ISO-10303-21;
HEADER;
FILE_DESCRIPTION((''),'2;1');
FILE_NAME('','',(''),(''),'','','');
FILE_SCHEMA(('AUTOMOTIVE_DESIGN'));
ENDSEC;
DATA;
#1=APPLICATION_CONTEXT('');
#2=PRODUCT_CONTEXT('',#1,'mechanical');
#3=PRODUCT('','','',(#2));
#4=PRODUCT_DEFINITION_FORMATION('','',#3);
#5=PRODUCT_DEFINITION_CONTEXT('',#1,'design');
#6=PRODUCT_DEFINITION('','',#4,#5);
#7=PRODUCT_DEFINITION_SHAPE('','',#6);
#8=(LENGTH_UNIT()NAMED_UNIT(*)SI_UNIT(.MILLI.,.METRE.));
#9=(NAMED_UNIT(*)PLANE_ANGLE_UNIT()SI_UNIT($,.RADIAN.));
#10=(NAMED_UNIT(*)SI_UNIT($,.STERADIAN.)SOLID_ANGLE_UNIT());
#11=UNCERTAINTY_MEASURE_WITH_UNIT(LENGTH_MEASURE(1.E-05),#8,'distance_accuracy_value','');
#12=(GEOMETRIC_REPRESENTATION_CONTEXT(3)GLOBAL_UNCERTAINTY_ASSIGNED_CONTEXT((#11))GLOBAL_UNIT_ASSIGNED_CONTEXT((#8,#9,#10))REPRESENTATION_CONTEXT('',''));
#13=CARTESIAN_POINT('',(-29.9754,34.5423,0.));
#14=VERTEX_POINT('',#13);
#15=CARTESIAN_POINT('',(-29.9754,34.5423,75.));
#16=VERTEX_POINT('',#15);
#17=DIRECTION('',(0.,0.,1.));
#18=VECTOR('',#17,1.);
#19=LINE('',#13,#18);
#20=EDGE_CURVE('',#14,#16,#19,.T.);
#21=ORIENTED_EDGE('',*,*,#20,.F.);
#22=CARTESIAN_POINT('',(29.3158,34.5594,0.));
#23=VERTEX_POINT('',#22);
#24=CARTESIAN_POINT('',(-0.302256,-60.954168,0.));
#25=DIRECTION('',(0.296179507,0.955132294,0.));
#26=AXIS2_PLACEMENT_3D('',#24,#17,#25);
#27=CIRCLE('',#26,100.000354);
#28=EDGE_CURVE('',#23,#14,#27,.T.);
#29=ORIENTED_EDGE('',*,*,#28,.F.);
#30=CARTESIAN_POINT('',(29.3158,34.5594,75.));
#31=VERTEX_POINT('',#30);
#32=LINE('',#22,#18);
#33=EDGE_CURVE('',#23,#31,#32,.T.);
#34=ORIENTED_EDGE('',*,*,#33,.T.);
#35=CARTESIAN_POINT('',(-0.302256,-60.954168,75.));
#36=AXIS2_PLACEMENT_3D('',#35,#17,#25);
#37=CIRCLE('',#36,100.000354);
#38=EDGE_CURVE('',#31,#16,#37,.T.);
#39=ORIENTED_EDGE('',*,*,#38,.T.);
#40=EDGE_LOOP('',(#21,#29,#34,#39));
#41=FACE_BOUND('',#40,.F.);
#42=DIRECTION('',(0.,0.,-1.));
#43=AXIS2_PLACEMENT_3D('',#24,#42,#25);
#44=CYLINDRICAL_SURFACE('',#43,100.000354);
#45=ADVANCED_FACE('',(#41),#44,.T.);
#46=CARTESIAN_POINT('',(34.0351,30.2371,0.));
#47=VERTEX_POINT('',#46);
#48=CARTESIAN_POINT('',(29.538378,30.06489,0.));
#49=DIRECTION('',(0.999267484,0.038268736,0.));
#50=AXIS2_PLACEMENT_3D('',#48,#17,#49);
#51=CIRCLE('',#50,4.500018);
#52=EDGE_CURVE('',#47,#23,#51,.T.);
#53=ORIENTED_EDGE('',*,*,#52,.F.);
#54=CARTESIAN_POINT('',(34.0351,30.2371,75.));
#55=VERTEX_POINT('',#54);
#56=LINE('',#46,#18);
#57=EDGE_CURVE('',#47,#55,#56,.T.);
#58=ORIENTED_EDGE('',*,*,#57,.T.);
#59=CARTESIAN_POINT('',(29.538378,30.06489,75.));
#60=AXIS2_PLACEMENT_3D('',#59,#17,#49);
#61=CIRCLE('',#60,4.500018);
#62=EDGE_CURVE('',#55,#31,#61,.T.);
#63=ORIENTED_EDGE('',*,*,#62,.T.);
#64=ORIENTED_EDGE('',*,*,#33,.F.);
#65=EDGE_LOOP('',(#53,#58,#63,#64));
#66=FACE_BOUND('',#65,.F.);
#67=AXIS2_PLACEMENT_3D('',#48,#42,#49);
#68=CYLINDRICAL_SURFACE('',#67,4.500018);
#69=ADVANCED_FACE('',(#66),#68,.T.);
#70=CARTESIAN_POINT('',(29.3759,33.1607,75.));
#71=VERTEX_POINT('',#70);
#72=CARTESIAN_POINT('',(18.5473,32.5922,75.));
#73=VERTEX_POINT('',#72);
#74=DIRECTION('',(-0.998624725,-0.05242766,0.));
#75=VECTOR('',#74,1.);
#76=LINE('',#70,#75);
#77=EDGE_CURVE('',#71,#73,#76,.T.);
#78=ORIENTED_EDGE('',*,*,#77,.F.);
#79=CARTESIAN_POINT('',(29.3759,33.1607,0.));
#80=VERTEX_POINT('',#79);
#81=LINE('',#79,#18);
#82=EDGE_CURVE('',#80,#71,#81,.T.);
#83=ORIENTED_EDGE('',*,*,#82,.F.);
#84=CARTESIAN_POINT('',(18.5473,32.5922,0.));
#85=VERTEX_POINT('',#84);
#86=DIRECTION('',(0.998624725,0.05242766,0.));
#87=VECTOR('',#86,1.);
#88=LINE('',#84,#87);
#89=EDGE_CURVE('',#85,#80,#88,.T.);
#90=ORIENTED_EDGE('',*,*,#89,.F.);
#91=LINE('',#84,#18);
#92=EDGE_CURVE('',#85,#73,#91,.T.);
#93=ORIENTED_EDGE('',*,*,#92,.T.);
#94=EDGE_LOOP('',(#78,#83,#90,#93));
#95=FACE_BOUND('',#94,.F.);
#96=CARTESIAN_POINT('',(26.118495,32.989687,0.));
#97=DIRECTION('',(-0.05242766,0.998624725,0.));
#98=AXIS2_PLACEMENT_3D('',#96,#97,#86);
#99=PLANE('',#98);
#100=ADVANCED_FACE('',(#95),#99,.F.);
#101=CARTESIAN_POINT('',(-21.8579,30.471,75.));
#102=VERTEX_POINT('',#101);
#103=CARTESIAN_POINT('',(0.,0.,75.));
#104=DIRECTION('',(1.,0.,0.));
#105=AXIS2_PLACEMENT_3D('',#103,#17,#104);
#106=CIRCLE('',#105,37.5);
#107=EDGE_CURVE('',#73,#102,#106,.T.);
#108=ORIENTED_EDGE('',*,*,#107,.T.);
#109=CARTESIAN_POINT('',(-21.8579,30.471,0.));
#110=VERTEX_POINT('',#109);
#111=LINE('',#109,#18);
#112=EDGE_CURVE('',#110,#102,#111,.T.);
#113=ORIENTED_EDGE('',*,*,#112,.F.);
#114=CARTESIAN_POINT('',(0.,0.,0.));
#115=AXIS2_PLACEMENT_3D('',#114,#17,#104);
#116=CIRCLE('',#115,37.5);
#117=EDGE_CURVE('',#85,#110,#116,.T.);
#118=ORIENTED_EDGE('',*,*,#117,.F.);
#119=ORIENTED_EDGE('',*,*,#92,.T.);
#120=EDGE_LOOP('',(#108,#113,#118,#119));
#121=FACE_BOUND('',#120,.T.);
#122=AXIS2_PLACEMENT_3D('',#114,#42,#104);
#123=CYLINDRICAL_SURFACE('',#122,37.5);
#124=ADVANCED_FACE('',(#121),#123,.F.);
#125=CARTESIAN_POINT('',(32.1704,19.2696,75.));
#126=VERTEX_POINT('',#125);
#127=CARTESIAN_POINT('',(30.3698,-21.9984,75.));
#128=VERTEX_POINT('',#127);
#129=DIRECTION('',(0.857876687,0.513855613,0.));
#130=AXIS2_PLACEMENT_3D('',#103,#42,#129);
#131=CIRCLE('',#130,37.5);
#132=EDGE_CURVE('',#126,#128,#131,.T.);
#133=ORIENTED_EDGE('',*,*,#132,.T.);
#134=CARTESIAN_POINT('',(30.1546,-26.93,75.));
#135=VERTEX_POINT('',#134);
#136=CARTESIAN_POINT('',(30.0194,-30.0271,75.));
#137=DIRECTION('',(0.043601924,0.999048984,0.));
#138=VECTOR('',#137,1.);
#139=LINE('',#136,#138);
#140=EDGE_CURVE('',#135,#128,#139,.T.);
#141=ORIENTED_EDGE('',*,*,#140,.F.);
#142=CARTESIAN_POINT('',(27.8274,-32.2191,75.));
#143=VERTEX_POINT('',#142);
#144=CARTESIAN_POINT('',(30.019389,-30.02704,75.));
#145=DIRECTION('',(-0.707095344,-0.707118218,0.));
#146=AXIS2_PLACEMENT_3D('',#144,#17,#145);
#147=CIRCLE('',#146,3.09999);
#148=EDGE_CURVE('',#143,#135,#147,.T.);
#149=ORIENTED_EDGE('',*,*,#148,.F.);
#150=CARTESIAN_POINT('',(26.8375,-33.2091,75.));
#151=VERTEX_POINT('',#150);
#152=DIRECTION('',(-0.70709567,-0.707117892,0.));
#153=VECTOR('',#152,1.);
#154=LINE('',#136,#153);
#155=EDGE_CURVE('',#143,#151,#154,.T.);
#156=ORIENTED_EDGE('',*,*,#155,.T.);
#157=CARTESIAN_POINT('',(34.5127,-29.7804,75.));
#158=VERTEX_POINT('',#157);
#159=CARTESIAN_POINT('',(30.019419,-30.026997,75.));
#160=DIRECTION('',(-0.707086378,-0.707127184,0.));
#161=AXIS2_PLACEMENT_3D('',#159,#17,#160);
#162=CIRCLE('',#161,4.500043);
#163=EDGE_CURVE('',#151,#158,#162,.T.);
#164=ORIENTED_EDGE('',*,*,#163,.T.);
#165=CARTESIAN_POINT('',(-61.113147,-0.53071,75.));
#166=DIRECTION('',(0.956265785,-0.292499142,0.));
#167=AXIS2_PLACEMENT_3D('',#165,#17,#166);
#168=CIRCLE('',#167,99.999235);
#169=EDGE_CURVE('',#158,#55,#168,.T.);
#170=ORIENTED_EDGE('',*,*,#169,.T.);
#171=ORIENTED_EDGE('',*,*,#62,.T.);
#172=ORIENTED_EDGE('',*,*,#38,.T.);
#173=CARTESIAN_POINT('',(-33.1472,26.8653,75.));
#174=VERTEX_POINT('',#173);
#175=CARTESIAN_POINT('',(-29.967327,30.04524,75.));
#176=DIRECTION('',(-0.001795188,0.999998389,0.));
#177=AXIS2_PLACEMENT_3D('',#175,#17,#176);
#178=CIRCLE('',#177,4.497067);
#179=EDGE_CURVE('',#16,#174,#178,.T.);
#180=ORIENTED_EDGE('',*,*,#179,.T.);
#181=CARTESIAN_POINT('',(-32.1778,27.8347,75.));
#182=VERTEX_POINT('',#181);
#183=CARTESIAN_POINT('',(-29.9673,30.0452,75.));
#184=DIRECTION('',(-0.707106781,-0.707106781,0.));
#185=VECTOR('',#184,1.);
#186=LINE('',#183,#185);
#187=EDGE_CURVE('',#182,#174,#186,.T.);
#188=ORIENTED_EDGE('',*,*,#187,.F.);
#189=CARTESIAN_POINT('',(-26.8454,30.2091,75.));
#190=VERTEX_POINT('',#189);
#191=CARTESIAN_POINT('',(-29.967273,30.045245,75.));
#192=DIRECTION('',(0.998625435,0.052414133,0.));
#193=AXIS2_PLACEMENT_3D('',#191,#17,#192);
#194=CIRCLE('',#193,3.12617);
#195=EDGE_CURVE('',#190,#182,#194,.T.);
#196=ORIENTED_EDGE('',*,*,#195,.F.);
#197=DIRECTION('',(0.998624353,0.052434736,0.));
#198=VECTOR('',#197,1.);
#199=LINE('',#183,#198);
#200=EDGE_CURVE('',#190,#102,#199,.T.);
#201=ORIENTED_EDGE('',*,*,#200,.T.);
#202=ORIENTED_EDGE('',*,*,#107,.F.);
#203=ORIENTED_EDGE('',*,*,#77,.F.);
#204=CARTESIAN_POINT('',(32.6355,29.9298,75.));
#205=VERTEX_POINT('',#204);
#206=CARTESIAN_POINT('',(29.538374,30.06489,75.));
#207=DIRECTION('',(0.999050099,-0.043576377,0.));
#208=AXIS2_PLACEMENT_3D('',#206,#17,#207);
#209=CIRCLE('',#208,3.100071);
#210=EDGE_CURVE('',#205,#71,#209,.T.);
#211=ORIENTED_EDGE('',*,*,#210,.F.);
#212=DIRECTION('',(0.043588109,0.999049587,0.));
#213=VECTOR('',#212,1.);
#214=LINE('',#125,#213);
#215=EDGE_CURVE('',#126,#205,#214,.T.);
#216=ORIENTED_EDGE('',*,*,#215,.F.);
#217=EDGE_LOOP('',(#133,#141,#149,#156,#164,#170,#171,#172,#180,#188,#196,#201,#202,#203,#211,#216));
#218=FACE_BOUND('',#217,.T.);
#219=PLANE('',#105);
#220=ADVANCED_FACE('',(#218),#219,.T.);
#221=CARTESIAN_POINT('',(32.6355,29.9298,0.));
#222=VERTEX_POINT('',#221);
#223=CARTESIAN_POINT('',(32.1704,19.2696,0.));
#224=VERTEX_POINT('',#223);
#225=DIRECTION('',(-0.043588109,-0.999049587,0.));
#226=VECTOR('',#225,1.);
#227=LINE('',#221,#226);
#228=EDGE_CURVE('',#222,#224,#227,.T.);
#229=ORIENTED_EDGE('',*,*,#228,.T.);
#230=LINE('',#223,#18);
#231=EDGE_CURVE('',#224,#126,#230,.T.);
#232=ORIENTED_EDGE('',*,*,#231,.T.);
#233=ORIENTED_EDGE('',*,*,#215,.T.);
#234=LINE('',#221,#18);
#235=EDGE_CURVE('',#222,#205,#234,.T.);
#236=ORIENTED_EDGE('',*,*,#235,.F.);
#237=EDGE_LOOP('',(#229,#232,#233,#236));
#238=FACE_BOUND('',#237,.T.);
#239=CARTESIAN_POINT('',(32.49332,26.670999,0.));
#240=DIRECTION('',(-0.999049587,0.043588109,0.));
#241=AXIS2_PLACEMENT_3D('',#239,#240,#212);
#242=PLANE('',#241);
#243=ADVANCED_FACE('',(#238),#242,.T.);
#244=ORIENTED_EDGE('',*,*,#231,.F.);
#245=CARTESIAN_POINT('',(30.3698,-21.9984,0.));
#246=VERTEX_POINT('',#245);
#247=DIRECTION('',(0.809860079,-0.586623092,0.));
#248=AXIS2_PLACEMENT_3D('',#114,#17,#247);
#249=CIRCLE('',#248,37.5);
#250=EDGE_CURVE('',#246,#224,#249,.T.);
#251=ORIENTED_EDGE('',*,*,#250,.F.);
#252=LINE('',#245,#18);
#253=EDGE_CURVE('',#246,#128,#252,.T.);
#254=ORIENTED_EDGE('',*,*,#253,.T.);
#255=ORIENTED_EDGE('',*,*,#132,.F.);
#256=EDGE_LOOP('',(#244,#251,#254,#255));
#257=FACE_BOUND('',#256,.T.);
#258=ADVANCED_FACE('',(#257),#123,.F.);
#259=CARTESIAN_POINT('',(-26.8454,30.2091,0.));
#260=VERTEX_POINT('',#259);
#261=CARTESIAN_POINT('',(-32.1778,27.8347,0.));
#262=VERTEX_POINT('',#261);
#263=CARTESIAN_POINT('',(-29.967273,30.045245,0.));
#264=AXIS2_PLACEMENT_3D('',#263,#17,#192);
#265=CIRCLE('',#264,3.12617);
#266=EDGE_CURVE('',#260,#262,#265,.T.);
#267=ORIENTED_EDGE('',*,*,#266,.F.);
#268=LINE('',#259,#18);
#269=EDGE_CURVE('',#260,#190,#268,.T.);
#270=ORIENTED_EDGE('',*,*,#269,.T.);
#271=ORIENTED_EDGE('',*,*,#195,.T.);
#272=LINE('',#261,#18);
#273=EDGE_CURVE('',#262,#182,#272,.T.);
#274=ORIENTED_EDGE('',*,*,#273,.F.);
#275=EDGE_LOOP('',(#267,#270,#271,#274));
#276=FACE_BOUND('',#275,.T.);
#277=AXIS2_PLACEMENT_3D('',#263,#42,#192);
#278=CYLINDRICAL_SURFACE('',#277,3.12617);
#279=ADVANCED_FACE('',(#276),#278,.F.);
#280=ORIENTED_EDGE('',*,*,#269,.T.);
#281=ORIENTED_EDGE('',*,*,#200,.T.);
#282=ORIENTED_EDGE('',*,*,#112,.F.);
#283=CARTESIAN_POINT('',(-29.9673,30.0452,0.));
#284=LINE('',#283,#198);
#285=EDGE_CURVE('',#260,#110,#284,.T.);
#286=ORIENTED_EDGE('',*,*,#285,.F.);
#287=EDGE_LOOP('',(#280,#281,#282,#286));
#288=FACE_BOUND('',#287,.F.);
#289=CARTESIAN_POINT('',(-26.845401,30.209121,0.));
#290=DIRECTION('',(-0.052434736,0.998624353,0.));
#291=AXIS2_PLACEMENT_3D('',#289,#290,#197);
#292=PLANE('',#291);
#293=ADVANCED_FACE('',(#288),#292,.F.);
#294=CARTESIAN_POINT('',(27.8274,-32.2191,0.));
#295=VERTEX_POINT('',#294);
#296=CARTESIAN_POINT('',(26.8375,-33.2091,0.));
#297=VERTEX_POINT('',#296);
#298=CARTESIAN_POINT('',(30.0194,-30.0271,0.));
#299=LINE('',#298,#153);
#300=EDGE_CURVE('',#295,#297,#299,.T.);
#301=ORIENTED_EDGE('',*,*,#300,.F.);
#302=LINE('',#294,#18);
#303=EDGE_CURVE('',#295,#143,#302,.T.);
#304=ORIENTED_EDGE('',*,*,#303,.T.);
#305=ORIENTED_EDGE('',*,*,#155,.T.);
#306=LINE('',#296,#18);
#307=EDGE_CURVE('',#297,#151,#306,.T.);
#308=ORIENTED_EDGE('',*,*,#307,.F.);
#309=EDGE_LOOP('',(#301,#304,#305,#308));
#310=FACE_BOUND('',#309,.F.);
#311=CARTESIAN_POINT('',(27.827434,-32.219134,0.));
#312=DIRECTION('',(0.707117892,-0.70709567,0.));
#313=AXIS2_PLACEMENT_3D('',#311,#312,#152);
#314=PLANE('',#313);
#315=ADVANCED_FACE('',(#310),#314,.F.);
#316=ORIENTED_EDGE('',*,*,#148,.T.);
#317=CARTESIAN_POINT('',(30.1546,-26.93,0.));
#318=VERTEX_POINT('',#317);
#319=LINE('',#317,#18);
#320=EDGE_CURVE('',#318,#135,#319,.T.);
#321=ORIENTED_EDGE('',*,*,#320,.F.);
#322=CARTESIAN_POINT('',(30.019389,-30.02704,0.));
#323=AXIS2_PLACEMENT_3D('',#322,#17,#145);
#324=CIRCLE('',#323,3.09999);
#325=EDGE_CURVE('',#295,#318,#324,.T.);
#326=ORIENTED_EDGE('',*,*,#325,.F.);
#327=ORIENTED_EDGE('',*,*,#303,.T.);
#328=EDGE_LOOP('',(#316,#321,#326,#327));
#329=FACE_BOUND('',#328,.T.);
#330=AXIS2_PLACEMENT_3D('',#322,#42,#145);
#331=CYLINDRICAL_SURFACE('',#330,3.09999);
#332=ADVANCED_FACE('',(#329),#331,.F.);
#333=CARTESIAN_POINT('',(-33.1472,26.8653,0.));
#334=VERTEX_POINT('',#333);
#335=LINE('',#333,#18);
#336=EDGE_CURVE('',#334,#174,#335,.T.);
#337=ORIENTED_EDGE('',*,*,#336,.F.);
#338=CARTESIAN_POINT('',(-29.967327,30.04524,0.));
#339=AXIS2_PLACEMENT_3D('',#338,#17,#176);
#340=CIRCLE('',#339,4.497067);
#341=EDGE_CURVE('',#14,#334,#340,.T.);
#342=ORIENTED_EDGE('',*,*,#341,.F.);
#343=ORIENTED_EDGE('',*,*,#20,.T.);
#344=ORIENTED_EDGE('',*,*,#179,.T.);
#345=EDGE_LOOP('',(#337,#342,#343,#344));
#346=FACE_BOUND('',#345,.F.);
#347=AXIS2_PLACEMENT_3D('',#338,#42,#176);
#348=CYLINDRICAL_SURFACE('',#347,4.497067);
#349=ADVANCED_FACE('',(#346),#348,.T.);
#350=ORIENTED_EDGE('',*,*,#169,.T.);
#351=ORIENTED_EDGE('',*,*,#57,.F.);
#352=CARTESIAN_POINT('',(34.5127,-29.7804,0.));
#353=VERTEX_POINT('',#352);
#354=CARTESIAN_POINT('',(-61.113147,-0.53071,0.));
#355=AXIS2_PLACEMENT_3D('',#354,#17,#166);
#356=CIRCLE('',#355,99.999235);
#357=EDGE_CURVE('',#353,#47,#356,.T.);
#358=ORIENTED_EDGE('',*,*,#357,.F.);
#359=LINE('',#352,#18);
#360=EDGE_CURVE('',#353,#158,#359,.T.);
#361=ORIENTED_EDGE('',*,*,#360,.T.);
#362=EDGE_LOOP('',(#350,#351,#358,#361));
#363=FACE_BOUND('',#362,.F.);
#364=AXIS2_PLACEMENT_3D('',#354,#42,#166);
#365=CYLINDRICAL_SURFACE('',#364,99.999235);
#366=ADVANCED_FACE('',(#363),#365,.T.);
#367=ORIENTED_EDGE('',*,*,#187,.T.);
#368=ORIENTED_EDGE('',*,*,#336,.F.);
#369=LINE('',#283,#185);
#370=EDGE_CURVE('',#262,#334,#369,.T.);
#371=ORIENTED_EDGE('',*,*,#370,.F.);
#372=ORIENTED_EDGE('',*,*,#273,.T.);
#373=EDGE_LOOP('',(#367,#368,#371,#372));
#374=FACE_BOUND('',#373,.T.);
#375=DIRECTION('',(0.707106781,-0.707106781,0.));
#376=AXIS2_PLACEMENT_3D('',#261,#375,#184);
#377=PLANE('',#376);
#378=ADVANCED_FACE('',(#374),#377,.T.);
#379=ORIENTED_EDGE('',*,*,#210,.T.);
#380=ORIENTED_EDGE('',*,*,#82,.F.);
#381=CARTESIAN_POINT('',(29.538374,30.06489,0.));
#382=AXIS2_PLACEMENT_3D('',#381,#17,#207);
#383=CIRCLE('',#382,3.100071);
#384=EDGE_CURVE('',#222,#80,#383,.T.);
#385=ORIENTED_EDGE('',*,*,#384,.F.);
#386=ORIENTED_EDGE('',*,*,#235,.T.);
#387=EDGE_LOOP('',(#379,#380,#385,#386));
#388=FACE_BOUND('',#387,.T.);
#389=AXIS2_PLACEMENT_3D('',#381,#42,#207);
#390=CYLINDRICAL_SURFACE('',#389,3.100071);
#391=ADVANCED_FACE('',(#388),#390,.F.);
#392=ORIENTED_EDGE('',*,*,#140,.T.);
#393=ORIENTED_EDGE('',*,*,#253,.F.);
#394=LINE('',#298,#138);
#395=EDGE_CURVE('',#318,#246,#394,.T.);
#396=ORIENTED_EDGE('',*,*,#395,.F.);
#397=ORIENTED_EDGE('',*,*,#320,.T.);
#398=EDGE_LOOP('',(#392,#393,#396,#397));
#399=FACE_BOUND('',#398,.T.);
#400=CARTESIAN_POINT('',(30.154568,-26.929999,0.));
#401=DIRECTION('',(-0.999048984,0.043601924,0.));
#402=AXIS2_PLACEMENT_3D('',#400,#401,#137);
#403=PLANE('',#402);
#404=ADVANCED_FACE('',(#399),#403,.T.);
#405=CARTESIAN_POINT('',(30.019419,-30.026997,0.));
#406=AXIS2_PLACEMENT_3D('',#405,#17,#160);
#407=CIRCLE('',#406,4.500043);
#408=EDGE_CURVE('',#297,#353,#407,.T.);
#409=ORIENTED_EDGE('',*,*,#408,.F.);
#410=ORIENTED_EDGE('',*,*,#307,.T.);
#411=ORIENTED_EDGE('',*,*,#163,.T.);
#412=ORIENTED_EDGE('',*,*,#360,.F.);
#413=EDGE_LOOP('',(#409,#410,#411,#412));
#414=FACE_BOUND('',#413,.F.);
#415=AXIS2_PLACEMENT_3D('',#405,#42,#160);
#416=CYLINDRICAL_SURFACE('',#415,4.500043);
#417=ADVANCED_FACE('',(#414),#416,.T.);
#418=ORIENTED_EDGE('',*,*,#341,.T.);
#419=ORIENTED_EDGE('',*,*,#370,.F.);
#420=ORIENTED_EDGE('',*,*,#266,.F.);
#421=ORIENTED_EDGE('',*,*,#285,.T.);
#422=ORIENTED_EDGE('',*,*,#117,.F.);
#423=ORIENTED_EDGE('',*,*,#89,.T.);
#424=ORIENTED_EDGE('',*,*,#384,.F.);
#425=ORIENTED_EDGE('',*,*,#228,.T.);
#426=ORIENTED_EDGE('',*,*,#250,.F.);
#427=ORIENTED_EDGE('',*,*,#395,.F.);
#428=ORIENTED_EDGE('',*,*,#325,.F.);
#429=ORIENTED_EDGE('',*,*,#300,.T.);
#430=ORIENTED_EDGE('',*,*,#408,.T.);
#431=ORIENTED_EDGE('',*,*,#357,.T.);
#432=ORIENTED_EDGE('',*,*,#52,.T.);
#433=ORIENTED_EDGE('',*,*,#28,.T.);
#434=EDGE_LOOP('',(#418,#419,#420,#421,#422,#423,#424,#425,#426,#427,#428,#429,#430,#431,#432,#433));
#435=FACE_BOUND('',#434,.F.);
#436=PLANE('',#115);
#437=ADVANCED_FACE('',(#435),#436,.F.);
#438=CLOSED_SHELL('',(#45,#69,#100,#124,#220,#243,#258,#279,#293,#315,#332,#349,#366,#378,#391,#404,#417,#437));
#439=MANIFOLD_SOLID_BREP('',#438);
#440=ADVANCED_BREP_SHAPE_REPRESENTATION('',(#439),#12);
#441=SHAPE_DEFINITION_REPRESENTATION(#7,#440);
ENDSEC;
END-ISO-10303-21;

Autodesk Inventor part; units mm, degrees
ref_plane "YZ Plane" through (0, 0, 0) normal (1, 0, 0) x (0, 1, 0)
ref_plane "XZ Plane" through (0, 0, 0) normal (0, 1, 0) x (-1, 0, 0)
ref_plane "XY Plane" through (0, 0, 0) normal (0, 0, 1) x (1, 0, 0)
sketch "Sketch1" plane through (0, 0, 0) normal (0, 0, 1) x (1, 0, 0)
  arc A0 (32.6355, 29.9298) -> (29.3759, 33.1607) centre (29.5384, 30.0649) ccw
  arc A1 (27.8274, -32.2191) -> (30.1546, -26.93) centre (30.0194, -30.0271) ccw
  arc A2 (32.4933, 26.671) -> (34.0351, 30.2371) centre (29.5384, 30.0649) ccw
  arc A3 (26.8375, -33.2091) -> (34.5127, -29.7804) centre (30.0194, -30.0271) ccw
  line L0 (-29.9673, 30.0452) -> (-33.1472, 26.8653)
  line L1 (-29.9673, 30.0452) -> (-25.4702, 30.0452) construction
  line L2 (-29.9673, 30.0452) -> (-21.8579, 30.471)
  line L3 (30.0194, -30.0271) -> (30.3698, -21.9984)
  line L4 (30.0194, -30.0271) -> (26.8375, -33.2091)
  circle A4 centre (0, 0) radius 37.5
  arc A5 (34.5127, -29.7804) -> (34.0351, 30.2371) centre (-61.1139, -0.5306) ccw
  arc A6 (29.3158, 34.5594) -> (-29.9754, 34.5423) centre (-0.3022, -60.9538) ccw
  line L5 (18.5473, 32.5922) -> (29.3759, 33.1607)
  line L6 (32.1704, 19.2696) -> (32.6355, 29.9298)
  arc A7 (29.3158, 34.5594) -> (26.1185, 32.9896) centre (29.5384, 30.0649) ccw
  arc A8 (34.0351, 30.2371) -> (29.3158, 34.5594) centre (29.5384, 30.0649) ccw
  arc A9 (-29.9754, 34.5423) -> (-33.1472, 26.8653) centre (-29.9673, 30.0452) ccw
  arc A10 (-26.8454, 30.2091) -> (-32.1778, 27.8347) centre (-29.9673, 30.0452) ccw
  dimension "d0" = 6.2
  dimension "d1" = 6.2
  dimension "d6" = 9
  dimension "d7" = 9
  dimension "d8" = 135
  dimension "d9" = 75
  dimension "d11" = 100
  dimension "d12" = 100
extrude "Extrusion1" add sketch "Sketch1" along normal blind 75 contours A0 L5 A7 A8 A2 L6 | A2 A5 A3 L4 A1 L3 A4 L6 | L5 A4 L2 A10 L0 A9 A6 A7
properties part number "Cage60mm-2sides-InnerD75mm-L75mm"
